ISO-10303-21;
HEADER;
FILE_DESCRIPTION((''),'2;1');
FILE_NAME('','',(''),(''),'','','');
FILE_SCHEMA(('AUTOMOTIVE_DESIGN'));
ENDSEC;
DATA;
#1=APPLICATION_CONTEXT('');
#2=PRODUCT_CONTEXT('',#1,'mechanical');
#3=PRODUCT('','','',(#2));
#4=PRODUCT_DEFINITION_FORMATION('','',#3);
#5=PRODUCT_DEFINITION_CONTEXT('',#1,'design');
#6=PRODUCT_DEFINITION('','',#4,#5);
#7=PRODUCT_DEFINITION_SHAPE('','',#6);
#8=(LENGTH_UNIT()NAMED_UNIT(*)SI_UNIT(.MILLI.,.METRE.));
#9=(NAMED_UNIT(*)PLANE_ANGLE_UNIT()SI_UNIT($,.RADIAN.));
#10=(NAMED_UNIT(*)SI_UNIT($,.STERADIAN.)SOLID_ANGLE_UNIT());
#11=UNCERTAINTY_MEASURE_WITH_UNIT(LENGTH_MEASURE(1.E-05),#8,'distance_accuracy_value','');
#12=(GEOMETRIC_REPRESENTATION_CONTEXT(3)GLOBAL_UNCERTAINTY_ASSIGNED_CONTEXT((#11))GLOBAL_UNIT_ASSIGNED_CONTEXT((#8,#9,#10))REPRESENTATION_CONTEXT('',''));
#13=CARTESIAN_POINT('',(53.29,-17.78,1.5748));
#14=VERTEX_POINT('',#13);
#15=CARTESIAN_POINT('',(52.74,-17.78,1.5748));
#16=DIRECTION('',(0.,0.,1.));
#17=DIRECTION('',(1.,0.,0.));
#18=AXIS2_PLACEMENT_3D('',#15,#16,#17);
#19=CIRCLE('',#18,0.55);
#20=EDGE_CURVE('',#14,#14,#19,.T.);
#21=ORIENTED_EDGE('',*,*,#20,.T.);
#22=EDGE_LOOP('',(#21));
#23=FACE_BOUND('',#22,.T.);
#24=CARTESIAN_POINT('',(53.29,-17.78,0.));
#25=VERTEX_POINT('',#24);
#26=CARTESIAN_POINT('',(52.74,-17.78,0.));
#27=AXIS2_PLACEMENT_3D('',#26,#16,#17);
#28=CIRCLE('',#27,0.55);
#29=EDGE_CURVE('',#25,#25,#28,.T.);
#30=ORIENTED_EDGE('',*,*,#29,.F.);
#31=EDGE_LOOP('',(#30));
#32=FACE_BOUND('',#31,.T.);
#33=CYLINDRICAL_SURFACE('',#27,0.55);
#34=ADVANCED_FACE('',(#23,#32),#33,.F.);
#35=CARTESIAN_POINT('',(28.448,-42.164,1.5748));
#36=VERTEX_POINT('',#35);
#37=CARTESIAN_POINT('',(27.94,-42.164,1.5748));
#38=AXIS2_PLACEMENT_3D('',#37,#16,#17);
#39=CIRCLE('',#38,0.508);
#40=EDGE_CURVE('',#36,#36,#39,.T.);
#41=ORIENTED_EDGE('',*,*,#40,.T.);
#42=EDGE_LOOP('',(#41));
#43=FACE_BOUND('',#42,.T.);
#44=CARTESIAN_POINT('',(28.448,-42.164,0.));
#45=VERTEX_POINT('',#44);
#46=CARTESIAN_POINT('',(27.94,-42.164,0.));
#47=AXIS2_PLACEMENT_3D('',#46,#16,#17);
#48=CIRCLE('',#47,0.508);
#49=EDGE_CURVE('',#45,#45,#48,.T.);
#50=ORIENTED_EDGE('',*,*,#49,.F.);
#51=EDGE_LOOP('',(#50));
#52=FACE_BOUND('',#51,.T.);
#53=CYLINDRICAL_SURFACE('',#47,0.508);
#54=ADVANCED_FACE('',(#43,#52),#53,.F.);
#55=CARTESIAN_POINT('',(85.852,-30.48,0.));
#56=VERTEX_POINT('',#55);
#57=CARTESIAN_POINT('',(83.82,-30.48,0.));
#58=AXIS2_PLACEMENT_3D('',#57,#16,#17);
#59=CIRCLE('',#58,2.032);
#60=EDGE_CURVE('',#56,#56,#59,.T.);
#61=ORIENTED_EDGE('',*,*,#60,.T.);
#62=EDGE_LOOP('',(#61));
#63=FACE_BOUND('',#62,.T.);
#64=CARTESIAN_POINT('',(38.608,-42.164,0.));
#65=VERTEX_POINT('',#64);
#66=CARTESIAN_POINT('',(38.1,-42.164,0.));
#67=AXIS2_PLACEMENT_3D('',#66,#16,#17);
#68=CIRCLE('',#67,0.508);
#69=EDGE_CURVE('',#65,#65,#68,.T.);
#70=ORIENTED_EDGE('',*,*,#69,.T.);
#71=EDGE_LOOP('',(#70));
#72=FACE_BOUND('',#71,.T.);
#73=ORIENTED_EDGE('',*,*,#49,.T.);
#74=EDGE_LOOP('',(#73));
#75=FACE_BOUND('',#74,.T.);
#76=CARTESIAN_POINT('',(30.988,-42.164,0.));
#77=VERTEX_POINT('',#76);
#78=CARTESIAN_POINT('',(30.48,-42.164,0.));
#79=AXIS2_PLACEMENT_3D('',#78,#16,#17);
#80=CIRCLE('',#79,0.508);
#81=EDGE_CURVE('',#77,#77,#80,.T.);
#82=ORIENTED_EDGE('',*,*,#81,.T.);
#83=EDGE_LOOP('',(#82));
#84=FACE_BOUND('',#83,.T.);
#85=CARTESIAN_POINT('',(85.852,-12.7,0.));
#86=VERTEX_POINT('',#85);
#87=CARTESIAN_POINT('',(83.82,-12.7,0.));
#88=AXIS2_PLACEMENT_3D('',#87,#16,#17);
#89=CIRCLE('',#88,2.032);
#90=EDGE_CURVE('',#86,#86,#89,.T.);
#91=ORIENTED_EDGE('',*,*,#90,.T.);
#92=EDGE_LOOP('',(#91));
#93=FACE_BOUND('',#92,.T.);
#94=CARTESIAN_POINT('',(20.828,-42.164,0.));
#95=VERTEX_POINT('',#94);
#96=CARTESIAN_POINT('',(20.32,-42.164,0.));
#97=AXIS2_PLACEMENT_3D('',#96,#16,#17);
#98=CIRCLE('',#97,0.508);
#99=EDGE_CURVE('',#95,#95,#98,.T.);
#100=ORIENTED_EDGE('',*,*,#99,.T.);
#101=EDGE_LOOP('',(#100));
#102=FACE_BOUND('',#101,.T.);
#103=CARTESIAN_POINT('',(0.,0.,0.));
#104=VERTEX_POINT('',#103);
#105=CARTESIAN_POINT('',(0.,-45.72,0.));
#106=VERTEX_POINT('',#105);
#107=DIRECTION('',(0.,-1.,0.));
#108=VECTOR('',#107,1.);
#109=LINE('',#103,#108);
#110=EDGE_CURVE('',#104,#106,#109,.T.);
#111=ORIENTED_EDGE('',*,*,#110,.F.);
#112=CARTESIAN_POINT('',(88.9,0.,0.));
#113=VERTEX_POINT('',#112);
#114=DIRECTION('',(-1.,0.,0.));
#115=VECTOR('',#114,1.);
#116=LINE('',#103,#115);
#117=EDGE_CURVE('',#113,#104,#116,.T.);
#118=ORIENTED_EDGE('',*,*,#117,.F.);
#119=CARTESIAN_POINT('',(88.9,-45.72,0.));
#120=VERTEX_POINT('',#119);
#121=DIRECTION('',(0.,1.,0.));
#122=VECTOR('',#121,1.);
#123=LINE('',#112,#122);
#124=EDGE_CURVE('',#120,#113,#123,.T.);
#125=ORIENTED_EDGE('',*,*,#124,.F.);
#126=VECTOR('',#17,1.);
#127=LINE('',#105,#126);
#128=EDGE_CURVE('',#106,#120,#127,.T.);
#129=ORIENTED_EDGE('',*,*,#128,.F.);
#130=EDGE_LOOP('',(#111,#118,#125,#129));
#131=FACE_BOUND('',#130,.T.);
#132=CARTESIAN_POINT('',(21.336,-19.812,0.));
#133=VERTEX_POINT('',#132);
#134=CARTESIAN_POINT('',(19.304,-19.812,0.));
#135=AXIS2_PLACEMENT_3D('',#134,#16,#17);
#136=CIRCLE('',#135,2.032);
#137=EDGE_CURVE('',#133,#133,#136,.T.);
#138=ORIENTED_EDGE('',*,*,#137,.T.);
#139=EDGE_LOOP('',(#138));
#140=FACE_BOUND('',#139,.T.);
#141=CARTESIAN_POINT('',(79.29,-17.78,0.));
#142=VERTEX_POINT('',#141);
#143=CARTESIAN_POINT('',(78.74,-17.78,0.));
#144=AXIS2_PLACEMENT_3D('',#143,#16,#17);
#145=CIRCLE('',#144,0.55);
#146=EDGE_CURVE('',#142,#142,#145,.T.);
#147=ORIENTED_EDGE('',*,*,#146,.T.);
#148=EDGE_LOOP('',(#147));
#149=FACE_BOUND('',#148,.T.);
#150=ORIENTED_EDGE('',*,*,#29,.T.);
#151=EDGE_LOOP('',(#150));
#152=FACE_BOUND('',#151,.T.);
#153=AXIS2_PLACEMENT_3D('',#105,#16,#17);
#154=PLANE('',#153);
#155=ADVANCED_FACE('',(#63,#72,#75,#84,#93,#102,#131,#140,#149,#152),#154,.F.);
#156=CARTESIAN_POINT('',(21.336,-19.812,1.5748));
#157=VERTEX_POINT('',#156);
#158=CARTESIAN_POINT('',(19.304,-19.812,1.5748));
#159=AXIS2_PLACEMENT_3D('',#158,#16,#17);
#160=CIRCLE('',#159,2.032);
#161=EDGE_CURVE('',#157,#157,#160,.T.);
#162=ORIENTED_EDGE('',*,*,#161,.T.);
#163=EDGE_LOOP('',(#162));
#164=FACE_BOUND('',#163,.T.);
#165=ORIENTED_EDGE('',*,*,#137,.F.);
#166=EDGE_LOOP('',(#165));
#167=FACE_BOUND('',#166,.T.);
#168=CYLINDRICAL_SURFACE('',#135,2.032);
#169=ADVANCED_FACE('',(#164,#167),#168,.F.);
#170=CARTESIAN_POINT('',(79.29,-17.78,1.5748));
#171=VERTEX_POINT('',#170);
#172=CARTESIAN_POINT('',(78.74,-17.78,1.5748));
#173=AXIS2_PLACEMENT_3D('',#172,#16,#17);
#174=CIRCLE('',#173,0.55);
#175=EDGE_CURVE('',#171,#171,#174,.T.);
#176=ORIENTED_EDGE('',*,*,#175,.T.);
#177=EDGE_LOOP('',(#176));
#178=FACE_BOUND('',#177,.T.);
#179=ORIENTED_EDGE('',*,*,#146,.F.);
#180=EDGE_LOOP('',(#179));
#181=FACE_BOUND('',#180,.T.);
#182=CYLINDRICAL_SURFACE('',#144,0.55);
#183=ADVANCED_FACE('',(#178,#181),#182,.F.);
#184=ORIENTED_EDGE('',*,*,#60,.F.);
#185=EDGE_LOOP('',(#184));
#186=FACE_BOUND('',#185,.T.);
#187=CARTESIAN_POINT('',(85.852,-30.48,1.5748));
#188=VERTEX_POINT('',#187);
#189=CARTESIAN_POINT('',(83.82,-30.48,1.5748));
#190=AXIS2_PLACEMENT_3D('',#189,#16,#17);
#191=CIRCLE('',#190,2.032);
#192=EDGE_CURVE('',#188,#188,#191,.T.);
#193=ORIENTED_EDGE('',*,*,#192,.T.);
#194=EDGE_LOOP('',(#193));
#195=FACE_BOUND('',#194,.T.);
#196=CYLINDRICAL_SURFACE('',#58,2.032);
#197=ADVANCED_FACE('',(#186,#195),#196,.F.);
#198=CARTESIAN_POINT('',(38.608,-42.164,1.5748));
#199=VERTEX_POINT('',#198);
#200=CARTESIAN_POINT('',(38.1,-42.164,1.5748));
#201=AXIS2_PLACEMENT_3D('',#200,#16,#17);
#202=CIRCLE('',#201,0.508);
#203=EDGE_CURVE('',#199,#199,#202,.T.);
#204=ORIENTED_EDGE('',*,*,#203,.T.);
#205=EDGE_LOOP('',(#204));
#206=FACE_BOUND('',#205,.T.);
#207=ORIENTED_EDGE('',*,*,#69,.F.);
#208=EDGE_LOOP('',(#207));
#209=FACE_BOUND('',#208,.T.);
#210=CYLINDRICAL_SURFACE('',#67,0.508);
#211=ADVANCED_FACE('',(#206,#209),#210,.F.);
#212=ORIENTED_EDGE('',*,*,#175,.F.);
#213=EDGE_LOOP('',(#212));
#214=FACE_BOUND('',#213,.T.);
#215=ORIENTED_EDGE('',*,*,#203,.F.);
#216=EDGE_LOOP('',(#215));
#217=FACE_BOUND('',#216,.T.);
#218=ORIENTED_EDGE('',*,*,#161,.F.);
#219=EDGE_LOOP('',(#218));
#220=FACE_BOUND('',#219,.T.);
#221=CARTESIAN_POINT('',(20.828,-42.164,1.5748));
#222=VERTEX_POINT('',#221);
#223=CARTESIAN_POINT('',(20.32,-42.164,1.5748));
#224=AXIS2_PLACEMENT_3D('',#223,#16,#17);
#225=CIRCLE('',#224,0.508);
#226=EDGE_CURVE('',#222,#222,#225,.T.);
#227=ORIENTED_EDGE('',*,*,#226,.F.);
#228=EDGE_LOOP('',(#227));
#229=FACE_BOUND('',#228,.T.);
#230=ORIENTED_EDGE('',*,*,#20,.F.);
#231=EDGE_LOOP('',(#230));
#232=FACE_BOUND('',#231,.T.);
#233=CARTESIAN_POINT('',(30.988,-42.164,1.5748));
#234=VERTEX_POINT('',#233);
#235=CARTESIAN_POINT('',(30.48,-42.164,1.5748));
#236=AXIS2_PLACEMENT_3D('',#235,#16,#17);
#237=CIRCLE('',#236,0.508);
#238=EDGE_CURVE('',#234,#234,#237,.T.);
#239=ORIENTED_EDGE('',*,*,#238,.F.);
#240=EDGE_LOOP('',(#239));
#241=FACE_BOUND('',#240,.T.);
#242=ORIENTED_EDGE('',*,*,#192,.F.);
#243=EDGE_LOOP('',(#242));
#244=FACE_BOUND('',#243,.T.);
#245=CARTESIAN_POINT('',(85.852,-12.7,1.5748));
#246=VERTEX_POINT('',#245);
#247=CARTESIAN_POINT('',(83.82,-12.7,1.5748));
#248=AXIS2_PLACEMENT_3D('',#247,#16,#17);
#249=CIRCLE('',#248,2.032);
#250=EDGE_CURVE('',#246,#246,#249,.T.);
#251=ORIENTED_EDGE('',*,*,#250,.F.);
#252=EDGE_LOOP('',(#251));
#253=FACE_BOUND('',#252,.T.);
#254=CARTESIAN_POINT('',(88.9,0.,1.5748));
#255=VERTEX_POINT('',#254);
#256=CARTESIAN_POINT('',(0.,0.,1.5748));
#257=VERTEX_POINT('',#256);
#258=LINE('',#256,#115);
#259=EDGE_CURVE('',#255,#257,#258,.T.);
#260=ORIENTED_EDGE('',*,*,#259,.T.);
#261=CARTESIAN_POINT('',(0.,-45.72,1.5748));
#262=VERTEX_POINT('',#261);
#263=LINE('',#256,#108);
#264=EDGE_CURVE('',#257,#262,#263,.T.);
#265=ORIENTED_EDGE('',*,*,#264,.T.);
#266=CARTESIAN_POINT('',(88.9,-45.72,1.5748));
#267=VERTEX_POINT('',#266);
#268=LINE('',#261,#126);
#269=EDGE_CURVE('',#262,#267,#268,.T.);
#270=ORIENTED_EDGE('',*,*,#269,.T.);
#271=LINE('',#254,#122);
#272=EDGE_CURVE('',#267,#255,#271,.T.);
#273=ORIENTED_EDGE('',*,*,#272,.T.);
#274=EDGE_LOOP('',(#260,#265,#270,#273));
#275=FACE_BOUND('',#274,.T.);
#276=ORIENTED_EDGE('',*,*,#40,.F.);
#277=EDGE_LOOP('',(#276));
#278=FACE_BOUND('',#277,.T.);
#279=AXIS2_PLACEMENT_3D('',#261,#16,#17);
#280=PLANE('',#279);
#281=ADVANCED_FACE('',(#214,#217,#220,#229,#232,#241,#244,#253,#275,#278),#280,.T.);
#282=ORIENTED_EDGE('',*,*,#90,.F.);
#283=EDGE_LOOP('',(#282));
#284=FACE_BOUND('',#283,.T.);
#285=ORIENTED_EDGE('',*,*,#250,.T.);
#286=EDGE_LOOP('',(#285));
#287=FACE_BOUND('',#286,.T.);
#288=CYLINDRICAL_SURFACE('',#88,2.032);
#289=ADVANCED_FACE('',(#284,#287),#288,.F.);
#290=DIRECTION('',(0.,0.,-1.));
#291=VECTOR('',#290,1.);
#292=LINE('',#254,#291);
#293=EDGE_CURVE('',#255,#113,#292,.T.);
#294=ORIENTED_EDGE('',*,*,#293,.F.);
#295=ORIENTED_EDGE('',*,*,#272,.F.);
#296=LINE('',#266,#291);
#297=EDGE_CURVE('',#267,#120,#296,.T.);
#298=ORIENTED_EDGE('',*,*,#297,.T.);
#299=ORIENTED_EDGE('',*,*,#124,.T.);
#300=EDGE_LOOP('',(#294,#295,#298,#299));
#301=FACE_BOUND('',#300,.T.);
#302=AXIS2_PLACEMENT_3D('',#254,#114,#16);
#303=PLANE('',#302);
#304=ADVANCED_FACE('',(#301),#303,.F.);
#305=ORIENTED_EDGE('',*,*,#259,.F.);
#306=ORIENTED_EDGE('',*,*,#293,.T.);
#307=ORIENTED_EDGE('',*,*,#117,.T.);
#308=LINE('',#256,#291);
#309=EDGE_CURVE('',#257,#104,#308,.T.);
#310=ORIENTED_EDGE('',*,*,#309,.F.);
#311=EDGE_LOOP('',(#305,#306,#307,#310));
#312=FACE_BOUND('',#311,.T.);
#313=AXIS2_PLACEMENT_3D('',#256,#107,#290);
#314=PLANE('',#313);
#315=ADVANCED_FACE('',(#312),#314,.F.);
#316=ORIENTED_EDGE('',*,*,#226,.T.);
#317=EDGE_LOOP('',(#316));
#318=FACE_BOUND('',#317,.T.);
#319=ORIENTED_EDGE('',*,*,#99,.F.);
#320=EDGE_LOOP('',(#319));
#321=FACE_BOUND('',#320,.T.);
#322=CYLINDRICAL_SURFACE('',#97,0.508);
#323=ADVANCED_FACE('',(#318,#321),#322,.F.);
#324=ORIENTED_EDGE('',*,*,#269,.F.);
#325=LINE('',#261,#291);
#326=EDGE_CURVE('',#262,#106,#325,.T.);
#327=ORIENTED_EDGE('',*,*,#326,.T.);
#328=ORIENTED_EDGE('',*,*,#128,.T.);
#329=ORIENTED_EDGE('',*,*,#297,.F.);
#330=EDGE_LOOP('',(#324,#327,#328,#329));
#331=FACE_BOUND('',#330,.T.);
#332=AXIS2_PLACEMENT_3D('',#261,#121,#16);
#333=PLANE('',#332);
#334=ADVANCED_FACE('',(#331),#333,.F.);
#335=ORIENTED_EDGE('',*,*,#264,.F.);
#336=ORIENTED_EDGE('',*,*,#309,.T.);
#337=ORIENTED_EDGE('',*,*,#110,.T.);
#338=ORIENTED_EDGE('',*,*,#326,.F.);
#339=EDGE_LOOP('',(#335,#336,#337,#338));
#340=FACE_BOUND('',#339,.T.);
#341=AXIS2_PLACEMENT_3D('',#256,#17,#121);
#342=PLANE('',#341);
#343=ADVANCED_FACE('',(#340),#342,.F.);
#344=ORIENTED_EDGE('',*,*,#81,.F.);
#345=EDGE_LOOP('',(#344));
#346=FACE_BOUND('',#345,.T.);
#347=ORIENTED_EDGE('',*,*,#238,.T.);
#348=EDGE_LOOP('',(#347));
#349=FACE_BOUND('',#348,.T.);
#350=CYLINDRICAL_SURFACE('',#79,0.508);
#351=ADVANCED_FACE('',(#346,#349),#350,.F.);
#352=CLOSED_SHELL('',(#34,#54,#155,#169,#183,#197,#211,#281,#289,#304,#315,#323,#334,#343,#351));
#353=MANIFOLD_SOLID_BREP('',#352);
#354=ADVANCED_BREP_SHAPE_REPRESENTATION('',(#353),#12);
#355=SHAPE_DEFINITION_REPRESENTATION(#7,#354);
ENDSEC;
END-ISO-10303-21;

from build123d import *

# Parameters (mm, degrees)
SKETCH1_W                 = 88.9
SKETCH1_H                 = 45.72
BOARD_SHAPE_EXTRUDE_DEPTH = 1.5748
SKETCH2_R                 = 0.55
MMC_MOUNT_HOLE_CUT_DEPTH  = 1.5748
SKETCH4_R                 = 0.508
HFBR_ANCHOR_HOLES_DEPTH   = 1.5748
SKETCH5_R                 = 2.032
CUT_EXTRUDE3_DEPTH        = 1.5748


with BuildPart() as part:
    # Sketch1 → board shape -extrude (new body)
    with BuildSketch(Plane.XY):
        with Locations((44.45, -22.86)):
            Rectangle(SKETCH1_W, SKETCH1_H)
    extrude(amount=BOARD_SHAPE_EXTRUDE_DEPTH)

    # Sketch2 → mmc mount hole - cut (cut)
    with BuildSketch(Plane.XY.offset(1.5748)):
        with Locations((52.74, -17.78)):
            Circle(SKETCH2_R)
        with Locations((78.74, -17.78)):
            Circle(SKETCH2_R)
    extrude(amount=-MMC_MOUNT_HOLE_CUT_DEPTH, mode=Mode.SUBTRACT)

    # Sketch4 → HFBR anchor holes (cut)
    with BuildSketch(Plane.XY.offset(1.5748)):
        with Locations((20.32, -42.164)):
            Circle(SKETCH4_R)
        with Locations((27.94, -42.164)):
            Circle(SKETCH4_R)
        with Locations((30.48, -42.164)):
            Circle(SKETCH4_R)
        with Locations((38.1, -42.164)):
            Circle(SKETCH4_R)
    extrude(amount=-HFBR_ANCHOR_HOLES_DEPTH, mode=Mode.SUBTRACT)

    # Sketch5 → Cut-Extrude3 (cut)
    with BuildSketch(Plane.XY.offset(1.5748)):
        with Locations((83.82, -30.48)):
            Circle(SKETCH5_R)
        with Locations((83.82, -12.7)):
            Circle(SKETCH5_R)
        with Locations((19.304, -19.812)):
            Circle(SKETCH5_R)
    extrude(amount=-CUT_EXTRUDE3_DEPTH, mode=Mode.SUBTRACT)


solid = part.part
